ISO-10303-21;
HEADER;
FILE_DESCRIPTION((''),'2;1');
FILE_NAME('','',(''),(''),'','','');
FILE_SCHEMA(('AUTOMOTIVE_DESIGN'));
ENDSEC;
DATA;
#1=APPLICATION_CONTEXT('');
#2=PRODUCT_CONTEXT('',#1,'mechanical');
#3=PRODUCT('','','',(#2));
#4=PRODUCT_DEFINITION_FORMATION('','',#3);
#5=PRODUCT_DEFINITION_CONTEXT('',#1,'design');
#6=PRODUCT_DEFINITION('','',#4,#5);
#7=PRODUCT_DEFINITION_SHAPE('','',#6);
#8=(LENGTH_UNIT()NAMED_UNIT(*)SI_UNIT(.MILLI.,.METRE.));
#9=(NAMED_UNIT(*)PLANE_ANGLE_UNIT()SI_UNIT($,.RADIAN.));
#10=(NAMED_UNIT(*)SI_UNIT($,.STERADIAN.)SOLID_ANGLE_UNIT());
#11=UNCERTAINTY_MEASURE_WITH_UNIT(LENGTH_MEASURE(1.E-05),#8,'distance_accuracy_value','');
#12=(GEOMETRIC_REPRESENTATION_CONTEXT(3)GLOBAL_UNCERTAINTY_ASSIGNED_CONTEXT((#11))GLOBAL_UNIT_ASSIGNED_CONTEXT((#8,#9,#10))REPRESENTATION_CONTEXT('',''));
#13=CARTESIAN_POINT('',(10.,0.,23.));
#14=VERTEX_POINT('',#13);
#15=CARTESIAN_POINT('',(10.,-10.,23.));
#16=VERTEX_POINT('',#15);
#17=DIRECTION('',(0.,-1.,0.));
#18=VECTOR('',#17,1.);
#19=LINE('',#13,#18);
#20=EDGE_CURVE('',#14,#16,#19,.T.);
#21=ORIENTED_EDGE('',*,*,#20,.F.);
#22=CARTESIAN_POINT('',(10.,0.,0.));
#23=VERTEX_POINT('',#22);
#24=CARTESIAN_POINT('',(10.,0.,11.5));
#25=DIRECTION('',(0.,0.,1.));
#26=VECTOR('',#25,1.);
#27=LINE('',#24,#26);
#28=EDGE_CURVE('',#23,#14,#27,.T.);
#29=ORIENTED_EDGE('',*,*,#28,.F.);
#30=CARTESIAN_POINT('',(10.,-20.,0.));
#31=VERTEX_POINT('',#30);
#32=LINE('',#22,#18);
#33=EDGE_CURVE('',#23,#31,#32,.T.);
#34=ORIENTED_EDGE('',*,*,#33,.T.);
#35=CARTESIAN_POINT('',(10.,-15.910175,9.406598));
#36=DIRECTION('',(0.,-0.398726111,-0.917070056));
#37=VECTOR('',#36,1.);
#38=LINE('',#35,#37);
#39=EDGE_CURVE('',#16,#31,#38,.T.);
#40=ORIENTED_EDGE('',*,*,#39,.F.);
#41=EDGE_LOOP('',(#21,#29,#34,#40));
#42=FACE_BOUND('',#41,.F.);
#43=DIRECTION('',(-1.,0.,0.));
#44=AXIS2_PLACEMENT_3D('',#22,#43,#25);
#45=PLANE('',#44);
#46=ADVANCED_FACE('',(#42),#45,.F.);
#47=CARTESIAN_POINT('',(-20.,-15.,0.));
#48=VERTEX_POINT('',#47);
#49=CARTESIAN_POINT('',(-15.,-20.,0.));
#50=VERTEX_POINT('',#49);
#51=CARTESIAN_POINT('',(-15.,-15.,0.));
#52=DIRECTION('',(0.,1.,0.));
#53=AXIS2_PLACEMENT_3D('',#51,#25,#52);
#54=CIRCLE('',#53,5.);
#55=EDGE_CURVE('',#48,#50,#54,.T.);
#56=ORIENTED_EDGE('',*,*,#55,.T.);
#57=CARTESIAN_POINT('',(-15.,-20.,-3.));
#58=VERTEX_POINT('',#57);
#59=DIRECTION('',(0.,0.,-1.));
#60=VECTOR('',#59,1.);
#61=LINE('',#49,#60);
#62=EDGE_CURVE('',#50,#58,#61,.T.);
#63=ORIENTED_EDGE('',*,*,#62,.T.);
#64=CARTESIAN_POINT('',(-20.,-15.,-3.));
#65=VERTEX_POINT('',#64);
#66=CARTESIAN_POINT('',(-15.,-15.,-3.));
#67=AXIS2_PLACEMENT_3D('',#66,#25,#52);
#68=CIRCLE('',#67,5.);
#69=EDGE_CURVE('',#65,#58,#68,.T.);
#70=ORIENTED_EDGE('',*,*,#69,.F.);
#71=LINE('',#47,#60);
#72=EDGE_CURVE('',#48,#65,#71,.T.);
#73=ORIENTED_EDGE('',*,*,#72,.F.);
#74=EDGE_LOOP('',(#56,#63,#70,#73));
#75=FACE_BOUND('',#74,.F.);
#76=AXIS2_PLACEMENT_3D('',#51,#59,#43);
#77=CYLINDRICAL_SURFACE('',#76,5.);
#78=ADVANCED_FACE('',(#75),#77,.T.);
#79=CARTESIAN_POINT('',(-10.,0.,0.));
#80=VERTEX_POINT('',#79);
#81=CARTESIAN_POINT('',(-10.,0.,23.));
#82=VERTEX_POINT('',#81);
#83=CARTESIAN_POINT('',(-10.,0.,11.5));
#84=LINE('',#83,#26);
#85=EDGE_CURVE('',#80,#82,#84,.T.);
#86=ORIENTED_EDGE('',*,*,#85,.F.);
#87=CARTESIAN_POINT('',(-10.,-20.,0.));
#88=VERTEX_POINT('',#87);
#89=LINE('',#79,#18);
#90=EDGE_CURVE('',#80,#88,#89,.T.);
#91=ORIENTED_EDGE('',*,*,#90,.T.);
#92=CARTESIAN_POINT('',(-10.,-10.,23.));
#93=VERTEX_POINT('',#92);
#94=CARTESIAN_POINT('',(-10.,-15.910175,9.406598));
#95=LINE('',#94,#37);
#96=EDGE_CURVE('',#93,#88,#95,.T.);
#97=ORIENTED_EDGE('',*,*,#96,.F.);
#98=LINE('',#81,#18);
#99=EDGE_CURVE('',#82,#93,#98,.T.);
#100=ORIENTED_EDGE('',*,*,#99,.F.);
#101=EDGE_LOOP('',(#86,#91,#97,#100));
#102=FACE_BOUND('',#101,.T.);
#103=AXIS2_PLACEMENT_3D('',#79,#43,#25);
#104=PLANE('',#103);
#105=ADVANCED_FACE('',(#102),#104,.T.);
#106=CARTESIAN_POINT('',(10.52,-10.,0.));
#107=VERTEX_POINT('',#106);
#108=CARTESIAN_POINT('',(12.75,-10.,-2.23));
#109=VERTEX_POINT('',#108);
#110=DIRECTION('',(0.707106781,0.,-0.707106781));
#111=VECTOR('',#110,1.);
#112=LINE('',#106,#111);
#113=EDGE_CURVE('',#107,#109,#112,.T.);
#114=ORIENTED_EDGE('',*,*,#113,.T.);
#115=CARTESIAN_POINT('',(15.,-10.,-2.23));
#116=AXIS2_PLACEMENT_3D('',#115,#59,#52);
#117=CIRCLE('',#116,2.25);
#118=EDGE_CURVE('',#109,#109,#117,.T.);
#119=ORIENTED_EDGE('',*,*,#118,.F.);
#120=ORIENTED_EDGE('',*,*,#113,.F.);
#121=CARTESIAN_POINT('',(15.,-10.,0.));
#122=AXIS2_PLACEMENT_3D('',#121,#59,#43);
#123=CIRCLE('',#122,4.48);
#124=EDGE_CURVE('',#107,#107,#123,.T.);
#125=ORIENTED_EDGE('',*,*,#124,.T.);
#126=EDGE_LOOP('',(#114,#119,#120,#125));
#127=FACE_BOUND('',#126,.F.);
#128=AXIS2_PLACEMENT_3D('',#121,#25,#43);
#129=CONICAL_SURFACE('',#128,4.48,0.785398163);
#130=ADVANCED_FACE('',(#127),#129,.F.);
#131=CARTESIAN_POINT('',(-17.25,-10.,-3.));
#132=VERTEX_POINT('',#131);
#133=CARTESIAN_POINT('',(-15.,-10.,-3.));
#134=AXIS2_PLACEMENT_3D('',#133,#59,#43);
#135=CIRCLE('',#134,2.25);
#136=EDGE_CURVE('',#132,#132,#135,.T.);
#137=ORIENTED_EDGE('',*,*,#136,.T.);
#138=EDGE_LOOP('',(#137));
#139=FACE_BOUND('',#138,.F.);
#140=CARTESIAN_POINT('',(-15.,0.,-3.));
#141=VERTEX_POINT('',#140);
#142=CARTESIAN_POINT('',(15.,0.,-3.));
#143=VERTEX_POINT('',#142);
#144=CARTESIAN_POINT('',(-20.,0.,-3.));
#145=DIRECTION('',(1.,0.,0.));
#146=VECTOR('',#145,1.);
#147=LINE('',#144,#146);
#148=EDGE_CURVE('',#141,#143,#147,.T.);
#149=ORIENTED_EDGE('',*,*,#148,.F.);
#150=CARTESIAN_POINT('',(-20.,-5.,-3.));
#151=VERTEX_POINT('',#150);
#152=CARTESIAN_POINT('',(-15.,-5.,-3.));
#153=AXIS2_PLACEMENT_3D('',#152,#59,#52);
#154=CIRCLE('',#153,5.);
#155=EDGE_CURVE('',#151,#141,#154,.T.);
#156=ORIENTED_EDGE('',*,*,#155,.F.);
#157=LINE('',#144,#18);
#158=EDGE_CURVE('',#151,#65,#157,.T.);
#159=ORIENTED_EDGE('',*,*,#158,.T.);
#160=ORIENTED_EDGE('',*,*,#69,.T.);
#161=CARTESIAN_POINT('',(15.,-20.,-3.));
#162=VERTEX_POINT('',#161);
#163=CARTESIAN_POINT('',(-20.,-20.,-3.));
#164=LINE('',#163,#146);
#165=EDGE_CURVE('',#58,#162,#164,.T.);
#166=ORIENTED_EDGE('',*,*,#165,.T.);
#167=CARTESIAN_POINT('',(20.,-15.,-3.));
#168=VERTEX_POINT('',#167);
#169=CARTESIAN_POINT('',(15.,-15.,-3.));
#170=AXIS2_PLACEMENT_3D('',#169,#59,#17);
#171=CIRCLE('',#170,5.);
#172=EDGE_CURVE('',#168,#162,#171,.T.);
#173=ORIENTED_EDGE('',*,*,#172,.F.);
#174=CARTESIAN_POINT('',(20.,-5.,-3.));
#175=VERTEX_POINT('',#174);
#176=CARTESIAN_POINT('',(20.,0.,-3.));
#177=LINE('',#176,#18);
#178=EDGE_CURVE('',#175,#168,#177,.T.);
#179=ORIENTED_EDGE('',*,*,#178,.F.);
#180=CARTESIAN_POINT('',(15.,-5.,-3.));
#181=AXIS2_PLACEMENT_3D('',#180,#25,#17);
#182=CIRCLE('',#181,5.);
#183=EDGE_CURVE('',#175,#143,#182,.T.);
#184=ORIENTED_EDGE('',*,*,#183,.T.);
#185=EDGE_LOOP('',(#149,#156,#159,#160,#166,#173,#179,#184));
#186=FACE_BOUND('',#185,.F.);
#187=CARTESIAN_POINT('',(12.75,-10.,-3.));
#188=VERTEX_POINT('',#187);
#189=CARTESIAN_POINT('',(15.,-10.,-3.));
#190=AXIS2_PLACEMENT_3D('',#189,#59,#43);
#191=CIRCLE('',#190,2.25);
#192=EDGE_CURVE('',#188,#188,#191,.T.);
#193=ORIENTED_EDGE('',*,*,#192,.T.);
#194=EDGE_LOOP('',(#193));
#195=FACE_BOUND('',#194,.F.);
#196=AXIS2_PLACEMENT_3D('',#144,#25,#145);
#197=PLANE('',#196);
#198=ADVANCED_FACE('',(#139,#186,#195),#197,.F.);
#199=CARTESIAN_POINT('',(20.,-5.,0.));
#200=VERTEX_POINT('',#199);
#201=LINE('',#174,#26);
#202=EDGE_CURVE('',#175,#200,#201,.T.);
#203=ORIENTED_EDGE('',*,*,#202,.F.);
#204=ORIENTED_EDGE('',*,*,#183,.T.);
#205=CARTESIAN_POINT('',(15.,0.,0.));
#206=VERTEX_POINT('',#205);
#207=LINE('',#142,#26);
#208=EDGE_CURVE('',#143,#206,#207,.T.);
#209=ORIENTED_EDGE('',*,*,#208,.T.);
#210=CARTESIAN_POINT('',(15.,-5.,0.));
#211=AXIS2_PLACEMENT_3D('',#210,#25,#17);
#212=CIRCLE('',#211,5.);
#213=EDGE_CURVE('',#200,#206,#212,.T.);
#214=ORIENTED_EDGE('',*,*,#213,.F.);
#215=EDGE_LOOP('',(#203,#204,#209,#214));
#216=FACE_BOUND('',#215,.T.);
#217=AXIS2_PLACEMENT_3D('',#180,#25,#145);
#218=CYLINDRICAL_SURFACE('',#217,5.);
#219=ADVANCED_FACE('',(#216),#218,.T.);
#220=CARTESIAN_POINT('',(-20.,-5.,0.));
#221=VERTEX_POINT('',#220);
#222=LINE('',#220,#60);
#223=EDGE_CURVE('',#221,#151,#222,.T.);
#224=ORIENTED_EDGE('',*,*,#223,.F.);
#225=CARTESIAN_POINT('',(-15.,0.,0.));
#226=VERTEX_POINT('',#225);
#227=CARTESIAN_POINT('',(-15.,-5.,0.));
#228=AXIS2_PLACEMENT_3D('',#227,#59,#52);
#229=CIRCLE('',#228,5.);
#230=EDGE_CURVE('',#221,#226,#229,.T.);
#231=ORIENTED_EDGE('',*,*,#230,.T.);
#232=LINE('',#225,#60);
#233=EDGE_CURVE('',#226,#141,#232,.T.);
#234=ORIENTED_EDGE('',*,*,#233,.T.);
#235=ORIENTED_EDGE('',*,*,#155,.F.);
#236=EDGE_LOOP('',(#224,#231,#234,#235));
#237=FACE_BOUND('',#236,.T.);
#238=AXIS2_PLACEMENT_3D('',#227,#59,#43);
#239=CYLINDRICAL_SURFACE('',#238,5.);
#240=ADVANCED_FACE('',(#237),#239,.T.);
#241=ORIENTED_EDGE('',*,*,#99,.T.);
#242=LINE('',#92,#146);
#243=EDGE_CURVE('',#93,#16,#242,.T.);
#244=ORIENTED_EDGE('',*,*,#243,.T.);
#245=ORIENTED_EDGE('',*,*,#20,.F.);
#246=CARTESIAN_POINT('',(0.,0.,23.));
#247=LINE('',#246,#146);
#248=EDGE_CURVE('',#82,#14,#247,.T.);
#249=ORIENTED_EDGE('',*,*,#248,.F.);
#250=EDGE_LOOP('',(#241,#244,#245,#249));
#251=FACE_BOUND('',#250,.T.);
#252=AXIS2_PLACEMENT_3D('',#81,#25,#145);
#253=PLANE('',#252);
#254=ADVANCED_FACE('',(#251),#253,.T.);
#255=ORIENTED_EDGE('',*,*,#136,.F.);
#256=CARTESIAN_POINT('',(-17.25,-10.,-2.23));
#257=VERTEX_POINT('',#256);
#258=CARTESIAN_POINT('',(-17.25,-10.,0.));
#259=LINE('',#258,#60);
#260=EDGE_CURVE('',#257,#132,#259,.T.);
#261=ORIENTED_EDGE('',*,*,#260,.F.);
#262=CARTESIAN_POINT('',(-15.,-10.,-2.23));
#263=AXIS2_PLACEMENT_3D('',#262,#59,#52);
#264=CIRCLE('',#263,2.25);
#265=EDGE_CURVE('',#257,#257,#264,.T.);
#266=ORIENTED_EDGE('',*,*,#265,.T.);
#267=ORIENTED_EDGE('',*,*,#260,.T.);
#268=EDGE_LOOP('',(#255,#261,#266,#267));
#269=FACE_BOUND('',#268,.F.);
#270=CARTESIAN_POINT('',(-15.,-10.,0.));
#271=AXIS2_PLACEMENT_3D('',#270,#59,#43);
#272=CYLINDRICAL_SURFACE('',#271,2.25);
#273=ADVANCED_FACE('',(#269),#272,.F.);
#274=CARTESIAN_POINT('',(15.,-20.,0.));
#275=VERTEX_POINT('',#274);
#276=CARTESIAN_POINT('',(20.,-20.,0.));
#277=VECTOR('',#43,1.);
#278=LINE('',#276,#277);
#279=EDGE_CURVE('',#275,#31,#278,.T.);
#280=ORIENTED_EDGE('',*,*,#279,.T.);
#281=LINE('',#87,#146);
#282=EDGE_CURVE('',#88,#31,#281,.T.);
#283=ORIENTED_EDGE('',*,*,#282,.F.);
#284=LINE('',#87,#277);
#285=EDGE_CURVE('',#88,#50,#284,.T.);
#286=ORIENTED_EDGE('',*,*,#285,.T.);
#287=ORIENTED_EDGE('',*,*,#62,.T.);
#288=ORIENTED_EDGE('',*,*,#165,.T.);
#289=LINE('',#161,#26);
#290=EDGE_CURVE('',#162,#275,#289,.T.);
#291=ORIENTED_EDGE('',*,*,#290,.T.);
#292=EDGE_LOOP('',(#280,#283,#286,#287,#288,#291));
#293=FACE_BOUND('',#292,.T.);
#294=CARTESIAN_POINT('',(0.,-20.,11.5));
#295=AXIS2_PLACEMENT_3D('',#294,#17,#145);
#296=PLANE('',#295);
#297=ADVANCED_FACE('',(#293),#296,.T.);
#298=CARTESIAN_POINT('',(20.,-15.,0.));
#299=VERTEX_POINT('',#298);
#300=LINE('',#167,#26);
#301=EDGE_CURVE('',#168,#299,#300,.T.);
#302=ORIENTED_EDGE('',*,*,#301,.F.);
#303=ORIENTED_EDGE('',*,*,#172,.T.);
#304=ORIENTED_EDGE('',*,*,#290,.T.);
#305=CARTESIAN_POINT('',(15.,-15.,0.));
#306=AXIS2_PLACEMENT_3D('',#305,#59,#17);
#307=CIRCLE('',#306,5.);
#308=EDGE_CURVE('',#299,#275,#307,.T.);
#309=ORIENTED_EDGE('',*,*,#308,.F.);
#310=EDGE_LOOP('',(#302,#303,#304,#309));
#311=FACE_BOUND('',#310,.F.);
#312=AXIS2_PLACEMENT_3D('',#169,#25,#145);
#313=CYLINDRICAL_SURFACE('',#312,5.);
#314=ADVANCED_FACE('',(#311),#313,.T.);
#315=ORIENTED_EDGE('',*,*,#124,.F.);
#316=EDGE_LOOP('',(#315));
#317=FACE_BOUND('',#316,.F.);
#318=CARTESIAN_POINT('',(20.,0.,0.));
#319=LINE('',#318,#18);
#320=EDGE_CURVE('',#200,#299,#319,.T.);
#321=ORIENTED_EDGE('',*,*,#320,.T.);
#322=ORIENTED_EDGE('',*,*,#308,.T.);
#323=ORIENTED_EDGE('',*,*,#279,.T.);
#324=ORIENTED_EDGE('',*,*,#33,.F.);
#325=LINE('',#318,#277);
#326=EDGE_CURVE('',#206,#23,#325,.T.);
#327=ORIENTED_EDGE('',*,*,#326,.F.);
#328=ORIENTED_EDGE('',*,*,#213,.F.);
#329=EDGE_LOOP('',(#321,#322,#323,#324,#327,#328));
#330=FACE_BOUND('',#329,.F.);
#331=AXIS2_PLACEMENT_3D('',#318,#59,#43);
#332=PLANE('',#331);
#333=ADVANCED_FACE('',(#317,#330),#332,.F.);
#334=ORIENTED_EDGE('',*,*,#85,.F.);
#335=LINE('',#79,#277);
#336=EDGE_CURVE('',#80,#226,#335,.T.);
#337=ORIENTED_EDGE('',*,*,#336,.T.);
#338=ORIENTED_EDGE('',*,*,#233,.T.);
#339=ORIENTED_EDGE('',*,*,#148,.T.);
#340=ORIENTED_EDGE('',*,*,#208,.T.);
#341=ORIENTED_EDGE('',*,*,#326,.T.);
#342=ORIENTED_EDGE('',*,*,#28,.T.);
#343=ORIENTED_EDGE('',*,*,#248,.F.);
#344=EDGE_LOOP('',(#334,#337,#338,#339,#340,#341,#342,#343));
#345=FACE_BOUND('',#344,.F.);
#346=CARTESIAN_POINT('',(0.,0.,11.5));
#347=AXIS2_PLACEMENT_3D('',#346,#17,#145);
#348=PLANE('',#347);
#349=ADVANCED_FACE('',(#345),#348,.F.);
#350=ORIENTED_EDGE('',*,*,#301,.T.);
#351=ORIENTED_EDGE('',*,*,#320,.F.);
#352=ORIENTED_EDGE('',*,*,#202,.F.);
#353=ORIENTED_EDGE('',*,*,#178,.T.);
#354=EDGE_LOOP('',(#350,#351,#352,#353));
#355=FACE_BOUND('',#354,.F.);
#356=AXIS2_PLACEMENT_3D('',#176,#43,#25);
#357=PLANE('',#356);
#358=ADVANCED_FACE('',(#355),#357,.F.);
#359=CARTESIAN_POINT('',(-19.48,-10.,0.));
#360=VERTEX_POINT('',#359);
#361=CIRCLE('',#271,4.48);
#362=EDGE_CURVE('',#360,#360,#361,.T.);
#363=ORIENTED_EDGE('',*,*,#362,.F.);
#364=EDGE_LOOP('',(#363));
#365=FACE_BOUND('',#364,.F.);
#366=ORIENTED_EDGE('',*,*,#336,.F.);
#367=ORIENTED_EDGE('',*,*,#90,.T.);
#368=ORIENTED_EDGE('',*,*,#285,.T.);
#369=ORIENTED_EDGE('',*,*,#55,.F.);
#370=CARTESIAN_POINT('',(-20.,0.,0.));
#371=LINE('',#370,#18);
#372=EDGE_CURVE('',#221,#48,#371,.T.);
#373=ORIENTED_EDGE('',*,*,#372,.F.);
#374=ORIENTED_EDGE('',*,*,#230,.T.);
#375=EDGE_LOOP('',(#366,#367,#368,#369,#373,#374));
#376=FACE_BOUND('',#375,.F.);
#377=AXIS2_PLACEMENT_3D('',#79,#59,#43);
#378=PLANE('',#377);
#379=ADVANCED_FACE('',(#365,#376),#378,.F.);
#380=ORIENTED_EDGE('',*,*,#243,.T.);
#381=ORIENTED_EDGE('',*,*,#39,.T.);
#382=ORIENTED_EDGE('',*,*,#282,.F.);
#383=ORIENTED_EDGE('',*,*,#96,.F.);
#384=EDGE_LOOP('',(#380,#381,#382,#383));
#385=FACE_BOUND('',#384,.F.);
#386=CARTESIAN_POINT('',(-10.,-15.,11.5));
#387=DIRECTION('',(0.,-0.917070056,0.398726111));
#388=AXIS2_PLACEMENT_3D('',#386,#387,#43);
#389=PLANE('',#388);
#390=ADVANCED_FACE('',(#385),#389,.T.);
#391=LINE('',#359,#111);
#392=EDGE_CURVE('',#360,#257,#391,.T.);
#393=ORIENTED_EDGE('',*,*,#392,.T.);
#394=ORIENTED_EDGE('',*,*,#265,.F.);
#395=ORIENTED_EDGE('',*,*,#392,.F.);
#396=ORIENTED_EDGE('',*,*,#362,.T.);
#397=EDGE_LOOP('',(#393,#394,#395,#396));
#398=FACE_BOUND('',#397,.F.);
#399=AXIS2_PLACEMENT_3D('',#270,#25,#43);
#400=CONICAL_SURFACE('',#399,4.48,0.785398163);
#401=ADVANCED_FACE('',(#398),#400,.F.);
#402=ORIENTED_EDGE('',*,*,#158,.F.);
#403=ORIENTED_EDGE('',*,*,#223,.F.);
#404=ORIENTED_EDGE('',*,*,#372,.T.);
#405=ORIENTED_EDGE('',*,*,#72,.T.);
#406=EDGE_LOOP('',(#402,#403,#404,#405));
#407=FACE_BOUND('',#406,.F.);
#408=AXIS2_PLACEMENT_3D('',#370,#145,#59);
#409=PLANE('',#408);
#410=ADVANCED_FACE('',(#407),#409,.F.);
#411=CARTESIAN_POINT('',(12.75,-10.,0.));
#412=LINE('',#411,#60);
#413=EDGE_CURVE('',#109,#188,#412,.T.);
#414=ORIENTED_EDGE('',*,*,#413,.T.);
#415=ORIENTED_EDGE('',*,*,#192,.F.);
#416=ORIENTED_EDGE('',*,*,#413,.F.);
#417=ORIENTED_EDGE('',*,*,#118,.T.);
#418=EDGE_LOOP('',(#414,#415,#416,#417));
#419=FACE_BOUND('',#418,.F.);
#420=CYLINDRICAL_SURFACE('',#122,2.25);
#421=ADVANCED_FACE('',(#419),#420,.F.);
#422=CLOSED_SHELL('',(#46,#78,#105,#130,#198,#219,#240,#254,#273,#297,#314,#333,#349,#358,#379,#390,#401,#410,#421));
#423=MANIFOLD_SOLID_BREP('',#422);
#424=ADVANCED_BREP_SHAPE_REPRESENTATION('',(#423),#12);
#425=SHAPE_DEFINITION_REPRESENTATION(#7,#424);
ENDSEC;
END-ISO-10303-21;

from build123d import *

# Parameters (mm, degrees)
F0_W           = 20
F0_H           = 23
F1_DEPTH       = 20
F2_SIZE2       = 23
F2_SIZE        = 10
F4_D           = 4.5
F4_DEPTH       = 12
F4_CSINK_D     = 8.96
F4_CSINK_ANGLE = 90
F4_TIP         = 1.3519363928
F5_R           = 5


with BuildPart() as f1:
    # F0 (on Front) → F1 (new body)
    with BuildSketch(Plane.XZ):
        with Locations((0, 11.5)):
            Rectangle(F0_W, F0_H)
        Polygon((10, 0), (-10, 0), (-20, 0), (-20, -3), (20, -3), (20, 0), align=None)
    extrude(amount=F1_DEPTH)

    # F2
    f2_edges = [f1.edges().sort_by_distance(p)[0] for p in [
        (0, -20, 23),
    ]]
    f2_side = f1.faces().sort_by_distance((0, -10, 23))[0]
    chamfer(f2_edges, length=F2_SIZE, length2=F2_SIZE2, reference=f2_side)

    # F4
    with Locations(Plane.XY):
        with Locations((-15, -10), (15, -10)):
            CounterSinkHole(F4_D / 2, F4_CSINK_D / 2, depth=F4_DEPTH, counter_sink_angle=F4_CSINK_ANGLE)
            with Locations((0, 0, -(F4_DEPTH + F4_TIP / 2))):  # 118° drill point
                Cone(0, F4_D / 2, F4_TIP, mode=Mode.SUBTRACT)

    # F5
    f5_edges = [f1.edges().sort_by_distance(p)[0] for p in [
        (-20, -20, -1.5),
        (20, -20, -1.5),
        (-20, 0, -1.5),
        (20, 0, -1.5),
    ]]
    fillet(f5_edges, radius=F5_R)


solid = f1.part
